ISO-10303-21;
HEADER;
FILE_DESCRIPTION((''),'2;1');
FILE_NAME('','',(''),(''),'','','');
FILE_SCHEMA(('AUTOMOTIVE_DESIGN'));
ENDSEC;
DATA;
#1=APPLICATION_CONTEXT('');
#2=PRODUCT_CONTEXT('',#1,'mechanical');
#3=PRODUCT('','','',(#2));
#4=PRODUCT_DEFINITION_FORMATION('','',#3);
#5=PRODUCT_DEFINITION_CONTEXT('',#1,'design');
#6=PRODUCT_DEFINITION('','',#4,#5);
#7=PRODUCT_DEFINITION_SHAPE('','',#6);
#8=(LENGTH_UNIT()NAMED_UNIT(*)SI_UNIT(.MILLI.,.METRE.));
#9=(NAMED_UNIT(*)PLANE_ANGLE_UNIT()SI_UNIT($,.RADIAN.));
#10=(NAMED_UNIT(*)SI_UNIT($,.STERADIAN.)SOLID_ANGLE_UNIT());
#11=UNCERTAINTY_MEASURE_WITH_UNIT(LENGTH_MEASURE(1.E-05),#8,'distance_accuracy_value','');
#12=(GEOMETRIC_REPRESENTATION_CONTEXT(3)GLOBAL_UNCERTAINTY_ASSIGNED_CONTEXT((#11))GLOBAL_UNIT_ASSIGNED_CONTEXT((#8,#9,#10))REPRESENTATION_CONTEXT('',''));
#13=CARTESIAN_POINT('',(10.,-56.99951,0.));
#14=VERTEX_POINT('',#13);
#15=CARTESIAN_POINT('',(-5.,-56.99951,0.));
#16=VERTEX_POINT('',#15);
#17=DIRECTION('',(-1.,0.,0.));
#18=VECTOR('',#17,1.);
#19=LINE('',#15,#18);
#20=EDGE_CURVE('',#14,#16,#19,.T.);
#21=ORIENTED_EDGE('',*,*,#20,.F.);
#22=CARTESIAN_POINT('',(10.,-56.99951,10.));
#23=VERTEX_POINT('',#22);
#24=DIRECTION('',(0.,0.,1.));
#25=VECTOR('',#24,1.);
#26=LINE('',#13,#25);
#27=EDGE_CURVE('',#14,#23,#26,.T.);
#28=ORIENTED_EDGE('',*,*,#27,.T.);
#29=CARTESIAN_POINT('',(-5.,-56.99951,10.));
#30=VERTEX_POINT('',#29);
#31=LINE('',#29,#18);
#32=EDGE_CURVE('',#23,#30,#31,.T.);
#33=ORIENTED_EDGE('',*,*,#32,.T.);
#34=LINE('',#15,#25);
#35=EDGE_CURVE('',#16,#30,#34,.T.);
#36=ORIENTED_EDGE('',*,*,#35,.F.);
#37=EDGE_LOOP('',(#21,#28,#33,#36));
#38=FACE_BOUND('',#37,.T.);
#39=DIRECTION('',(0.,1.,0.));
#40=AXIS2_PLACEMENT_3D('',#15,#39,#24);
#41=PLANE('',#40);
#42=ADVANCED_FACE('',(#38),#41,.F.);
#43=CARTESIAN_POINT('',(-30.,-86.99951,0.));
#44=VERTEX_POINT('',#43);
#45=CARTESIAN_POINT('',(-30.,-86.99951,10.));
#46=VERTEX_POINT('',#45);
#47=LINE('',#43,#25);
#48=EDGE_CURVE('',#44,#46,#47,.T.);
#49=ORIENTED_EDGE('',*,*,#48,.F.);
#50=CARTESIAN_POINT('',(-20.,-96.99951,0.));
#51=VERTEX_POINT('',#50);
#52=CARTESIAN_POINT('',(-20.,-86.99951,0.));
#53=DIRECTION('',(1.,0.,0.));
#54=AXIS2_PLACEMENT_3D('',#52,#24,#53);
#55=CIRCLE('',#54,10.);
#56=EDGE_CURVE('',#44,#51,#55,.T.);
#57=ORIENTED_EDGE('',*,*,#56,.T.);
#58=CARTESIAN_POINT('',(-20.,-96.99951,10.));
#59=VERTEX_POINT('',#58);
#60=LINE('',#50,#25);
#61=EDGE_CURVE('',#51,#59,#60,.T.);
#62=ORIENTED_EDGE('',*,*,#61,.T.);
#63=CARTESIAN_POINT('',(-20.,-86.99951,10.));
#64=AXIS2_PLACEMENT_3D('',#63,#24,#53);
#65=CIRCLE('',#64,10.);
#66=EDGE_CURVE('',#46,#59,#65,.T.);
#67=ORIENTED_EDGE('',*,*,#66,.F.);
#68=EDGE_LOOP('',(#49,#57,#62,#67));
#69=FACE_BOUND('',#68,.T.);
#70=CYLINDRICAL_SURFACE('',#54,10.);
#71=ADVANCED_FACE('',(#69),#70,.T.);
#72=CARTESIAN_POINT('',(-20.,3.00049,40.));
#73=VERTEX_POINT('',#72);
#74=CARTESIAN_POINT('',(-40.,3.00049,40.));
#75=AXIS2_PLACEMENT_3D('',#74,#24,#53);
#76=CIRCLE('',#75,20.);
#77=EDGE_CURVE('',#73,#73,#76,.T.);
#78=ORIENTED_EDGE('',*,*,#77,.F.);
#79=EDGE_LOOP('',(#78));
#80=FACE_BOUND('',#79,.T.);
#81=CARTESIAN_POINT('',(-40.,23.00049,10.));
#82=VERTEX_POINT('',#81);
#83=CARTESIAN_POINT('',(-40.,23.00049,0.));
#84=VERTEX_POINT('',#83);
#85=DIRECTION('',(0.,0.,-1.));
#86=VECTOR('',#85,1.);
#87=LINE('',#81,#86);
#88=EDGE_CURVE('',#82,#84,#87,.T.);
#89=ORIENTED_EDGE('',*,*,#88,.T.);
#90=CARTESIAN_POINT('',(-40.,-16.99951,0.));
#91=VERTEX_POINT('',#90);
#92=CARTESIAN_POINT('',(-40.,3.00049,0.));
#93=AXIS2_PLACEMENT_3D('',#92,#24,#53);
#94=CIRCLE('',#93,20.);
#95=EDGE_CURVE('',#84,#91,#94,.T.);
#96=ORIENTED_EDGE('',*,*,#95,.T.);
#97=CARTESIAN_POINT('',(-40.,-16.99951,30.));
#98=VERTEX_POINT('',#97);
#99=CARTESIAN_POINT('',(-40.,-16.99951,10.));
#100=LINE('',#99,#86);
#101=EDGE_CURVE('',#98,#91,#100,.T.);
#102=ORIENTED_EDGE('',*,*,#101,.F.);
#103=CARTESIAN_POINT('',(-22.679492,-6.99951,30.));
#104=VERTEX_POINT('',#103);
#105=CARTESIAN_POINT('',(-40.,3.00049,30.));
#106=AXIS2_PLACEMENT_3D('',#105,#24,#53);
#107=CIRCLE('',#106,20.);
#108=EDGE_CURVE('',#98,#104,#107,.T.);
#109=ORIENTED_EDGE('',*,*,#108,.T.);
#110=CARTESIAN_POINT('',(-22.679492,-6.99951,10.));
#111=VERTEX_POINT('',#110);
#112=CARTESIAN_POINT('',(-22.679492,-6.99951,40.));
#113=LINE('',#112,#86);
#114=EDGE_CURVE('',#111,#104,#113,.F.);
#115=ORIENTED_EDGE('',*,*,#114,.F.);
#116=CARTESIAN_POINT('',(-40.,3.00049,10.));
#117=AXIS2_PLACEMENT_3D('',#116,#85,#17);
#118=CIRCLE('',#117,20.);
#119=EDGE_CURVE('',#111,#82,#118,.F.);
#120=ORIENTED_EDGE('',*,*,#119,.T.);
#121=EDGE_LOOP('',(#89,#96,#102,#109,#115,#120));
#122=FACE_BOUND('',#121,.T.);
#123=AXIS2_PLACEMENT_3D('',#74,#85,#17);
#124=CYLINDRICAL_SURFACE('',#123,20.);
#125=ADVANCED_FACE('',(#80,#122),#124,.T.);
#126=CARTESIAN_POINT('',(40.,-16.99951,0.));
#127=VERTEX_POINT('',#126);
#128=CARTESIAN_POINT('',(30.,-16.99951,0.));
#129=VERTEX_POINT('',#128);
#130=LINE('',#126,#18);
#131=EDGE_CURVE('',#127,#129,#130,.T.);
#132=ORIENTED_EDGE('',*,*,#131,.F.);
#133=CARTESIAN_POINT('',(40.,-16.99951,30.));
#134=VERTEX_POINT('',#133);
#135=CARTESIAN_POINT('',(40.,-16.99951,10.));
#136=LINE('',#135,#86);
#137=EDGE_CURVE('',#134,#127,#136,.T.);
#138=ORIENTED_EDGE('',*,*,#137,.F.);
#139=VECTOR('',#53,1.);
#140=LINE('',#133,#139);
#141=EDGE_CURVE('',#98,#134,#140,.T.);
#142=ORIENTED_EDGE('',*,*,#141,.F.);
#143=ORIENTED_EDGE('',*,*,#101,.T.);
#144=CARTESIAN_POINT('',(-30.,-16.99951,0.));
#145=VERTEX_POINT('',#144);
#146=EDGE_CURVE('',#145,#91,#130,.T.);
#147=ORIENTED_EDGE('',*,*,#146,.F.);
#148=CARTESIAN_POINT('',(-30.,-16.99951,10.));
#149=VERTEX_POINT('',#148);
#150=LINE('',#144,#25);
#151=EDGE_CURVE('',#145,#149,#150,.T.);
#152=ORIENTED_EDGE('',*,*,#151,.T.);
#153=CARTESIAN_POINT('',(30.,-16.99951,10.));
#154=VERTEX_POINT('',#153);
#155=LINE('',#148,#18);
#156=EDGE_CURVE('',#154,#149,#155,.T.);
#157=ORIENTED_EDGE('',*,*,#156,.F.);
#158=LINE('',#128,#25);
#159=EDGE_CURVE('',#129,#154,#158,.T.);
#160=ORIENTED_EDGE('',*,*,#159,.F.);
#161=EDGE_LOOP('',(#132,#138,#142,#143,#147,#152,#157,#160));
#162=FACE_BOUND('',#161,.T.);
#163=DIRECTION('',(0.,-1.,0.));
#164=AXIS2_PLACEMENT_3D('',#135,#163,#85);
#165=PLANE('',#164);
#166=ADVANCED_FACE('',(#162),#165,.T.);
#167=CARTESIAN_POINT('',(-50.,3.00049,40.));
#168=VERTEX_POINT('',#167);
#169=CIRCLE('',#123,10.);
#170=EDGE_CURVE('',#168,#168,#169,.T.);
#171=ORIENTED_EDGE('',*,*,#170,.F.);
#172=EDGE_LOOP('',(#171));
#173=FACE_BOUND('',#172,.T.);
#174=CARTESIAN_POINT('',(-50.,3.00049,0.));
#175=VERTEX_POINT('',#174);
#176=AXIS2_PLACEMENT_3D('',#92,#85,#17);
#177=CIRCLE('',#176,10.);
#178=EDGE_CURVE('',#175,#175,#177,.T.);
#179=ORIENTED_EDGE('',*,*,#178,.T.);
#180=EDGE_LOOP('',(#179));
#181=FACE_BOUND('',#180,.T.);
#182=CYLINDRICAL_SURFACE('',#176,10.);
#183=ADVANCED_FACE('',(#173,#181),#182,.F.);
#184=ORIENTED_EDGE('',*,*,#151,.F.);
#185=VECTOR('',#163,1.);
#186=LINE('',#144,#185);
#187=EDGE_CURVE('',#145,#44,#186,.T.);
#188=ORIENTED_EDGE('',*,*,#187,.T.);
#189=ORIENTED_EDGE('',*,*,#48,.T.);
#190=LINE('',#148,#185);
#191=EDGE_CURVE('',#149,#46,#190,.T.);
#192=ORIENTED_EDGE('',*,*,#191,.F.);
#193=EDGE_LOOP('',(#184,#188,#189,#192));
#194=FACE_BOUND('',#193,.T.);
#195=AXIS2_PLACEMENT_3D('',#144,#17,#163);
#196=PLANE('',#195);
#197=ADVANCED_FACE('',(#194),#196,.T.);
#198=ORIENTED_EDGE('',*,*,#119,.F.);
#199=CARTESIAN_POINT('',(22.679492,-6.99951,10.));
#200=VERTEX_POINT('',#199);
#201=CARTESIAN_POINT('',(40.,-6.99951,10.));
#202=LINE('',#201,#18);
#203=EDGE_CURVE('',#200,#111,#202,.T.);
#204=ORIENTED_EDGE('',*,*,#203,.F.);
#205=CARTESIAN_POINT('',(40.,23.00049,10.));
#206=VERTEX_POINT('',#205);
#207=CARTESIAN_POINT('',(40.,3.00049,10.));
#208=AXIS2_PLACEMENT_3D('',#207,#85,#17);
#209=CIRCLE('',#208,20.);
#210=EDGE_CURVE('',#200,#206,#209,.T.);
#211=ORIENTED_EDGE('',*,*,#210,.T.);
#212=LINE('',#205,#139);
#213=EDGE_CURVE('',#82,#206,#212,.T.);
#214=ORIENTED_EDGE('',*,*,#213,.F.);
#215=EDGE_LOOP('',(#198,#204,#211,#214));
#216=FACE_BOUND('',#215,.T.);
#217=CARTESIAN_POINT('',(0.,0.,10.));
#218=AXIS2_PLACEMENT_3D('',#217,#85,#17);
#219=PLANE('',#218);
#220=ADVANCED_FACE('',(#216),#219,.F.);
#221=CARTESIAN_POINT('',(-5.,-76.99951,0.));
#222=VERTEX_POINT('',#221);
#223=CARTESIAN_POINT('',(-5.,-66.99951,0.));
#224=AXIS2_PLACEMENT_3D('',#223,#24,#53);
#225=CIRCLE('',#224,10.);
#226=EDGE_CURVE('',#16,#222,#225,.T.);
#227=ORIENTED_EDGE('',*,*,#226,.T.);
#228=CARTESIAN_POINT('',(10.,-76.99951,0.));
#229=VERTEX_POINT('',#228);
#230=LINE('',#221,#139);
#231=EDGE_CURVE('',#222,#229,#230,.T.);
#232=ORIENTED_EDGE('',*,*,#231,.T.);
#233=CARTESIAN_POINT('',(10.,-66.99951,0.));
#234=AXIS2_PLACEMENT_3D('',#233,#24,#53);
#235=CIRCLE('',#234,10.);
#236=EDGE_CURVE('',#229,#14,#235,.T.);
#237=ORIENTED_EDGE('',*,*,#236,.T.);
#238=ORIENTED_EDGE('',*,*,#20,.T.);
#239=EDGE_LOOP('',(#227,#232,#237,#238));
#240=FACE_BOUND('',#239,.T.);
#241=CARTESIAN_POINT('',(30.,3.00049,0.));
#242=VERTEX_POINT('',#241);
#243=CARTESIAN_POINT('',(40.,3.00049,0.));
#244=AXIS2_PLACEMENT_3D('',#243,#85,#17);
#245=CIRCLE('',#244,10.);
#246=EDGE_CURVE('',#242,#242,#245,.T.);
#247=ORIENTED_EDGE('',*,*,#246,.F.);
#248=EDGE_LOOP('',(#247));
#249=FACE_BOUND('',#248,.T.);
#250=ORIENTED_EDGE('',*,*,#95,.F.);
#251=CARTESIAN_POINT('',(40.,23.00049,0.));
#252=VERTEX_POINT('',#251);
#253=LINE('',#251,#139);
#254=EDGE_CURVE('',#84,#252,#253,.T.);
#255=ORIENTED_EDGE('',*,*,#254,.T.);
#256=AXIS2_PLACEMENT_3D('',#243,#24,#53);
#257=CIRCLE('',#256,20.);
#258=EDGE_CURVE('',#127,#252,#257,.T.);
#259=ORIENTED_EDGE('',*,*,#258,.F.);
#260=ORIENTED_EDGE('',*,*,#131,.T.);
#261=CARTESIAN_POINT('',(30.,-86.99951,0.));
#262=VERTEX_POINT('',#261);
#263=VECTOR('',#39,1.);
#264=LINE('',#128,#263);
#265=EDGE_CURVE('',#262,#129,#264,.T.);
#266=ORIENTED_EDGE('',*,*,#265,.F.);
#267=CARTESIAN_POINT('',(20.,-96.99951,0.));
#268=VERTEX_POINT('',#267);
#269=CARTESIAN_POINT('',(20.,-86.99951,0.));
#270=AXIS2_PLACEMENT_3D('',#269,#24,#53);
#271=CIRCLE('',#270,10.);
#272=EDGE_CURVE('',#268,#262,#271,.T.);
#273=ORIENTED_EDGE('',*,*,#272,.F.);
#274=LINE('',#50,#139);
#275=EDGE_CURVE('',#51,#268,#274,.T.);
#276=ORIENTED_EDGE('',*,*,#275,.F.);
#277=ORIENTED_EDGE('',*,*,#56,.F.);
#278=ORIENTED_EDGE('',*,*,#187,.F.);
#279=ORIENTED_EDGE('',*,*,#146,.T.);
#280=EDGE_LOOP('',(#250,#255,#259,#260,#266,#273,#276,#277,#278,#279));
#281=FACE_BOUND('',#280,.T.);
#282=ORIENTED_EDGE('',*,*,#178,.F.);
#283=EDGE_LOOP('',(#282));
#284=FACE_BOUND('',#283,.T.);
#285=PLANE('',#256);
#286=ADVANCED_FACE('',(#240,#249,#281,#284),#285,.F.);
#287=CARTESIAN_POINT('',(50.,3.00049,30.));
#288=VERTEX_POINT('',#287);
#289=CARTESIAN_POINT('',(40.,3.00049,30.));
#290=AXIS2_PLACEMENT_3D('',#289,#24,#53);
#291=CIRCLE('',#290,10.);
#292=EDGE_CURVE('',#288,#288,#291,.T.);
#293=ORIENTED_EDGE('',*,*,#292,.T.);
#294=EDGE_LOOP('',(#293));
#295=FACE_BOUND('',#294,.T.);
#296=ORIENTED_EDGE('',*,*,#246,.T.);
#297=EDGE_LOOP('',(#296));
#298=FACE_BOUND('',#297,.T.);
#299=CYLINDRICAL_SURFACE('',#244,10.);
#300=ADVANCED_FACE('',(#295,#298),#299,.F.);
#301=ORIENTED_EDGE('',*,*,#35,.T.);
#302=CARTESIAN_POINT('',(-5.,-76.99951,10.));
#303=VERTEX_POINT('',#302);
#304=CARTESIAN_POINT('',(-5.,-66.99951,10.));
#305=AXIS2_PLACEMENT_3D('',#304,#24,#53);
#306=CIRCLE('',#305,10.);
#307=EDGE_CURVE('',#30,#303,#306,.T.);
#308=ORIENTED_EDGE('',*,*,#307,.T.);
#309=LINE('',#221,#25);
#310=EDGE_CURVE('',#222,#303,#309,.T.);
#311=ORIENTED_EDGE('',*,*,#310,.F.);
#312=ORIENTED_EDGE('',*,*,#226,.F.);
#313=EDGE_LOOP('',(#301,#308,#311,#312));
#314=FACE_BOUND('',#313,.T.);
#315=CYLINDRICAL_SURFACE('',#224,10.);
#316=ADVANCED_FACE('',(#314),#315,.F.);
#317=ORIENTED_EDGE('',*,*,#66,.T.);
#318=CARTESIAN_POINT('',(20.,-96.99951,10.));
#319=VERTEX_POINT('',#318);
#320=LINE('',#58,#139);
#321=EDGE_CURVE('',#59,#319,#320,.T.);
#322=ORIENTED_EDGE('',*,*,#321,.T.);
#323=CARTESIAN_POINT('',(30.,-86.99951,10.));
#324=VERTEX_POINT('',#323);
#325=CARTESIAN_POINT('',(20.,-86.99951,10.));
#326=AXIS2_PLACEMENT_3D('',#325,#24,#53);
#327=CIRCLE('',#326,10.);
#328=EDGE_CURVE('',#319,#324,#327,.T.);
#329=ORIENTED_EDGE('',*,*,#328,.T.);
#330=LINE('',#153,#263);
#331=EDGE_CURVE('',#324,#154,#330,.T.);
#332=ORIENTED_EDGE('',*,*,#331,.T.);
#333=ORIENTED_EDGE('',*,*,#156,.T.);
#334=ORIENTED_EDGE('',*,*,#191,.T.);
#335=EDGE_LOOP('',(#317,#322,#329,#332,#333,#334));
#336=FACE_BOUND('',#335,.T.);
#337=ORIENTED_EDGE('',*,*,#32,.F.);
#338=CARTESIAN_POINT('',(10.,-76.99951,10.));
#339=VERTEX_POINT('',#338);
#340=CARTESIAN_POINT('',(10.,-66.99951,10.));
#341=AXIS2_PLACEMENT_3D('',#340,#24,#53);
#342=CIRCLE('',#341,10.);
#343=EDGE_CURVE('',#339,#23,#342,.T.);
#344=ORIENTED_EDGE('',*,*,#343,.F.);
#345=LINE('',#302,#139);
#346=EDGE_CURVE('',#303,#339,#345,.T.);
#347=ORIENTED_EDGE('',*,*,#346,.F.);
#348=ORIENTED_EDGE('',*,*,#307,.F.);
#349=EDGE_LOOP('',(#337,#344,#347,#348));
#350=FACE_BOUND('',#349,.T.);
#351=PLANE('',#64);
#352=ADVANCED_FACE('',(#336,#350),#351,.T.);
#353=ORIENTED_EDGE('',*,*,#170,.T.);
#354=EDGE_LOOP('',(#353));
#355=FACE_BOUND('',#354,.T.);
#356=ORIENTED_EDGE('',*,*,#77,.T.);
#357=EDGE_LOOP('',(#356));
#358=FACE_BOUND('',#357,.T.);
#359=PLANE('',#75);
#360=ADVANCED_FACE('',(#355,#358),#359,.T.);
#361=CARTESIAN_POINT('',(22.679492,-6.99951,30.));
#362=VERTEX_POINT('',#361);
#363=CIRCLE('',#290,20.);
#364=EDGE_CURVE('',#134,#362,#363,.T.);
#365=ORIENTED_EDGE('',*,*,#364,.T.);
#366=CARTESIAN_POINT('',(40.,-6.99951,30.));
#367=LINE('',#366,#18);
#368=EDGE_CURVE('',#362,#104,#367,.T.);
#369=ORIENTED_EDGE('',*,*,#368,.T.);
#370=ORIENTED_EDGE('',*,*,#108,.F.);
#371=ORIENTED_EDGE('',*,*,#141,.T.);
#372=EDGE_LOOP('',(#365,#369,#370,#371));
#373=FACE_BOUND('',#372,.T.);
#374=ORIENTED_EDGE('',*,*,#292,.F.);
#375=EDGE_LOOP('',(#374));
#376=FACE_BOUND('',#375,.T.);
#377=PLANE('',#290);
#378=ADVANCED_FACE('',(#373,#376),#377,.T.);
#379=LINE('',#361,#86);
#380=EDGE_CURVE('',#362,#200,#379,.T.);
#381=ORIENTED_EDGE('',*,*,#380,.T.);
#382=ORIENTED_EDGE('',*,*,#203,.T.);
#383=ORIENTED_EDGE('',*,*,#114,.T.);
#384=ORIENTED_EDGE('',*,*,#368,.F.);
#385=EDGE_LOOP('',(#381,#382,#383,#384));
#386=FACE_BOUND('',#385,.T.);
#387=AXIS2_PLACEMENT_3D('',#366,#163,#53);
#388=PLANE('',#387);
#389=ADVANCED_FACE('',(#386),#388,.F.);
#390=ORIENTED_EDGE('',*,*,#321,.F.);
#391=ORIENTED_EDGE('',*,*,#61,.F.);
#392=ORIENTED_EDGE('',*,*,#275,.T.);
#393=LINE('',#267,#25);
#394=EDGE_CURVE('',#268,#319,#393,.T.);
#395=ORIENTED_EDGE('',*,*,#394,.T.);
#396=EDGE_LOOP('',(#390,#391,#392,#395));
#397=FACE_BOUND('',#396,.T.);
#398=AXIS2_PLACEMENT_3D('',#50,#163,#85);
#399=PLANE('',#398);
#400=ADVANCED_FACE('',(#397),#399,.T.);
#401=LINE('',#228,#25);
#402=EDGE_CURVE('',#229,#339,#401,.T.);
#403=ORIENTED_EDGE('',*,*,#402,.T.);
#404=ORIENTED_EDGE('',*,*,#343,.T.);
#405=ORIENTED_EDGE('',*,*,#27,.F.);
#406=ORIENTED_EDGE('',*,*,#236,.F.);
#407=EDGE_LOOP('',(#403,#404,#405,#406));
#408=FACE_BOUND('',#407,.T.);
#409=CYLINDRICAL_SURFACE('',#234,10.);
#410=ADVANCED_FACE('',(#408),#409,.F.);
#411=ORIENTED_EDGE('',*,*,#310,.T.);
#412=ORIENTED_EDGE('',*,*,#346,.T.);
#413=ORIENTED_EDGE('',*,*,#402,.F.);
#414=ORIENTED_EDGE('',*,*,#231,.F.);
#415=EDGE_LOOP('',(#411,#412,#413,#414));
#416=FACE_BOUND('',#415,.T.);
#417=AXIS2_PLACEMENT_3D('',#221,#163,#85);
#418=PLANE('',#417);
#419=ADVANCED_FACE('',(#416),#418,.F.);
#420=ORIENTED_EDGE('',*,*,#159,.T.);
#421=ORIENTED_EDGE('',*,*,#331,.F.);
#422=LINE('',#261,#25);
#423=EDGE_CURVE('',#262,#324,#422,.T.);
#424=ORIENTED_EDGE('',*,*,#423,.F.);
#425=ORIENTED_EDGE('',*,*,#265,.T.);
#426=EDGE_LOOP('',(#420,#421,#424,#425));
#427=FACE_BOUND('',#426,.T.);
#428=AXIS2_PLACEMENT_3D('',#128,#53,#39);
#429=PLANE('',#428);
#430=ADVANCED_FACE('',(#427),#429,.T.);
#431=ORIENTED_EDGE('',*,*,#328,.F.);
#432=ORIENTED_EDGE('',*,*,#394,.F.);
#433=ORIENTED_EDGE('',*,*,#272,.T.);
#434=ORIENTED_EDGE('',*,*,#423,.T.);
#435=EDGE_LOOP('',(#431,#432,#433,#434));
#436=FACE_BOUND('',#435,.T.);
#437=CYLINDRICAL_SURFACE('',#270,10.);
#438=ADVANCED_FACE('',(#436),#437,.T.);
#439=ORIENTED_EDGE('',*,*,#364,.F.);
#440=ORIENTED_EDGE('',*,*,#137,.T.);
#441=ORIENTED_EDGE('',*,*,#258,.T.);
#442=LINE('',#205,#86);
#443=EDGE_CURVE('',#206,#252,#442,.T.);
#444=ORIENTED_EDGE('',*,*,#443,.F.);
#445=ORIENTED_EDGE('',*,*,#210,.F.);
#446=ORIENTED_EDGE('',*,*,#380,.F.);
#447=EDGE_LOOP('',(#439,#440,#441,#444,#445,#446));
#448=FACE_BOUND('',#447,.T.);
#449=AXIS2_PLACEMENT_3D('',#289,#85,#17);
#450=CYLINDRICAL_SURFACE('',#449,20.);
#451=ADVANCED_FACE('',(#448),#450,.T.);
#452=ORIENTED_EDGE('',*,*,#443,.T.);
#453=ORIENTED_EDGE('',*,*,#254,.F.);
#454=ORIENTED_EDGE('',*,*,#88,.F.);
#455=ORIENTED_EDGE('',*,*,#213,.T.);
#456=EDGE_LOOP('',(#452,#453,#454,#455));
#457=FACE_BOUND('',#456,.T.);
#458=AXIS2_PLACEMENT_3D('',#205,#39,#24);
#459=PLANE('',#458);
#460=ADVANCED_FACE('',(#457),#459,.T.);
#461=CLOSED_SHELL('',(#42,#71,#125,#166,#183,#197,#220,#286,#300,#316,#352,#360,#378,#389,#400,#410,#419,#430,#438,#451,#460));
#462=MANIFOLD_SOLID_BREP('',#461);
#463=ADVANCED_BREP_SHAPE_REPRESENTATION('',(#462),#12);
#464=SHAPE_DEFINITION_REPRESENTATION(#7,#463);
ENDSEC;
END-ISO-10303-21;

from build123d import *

# Parameters (mm, degrees)
SKETCH1_R                        = 20
BOSS_EXTRUDE1_DEPTH              = 30
SKETCH1_4_R                      = 20
BOSS_EXTRUDE2_DEPTH              = 40
SKETCH2_W                        = 80
SKETCH2_H                        = 40
BOSS_EXTRUDE3_DEPTH              = 10
SKETCH3_W                        = 80
SKETCH3_H                        = 10
BOSS_EXTRUDE4_DEPTH              = 20
BOSS_EXTRUDE7_DEPTH              = 10
CUT_EXTRUDE3_DEPTH               = 10
F_97_0_78740157_DIAMETER_HOLE1_D = 19.999999878


with BuildPart() as part:
    # Sketch1 → Boss-Extrude1 (new body)
    with BuildSketch(Plane.XY):
        with Locations((40, 3.000489608)):
            Circle(SKETCH1_R)
    extrude(amount=BOSS_EXTRUDE1_DEPTH)



with BuildPart() as body_2:
    # Sketch1<4> → Boss-Extrude2 (new body)
    with BuildSketch(Plane.XY):
        with Locations((-40, 3.000489608)):
            Circle(SKETCH1_4_R)
    extrude(amount=BOSS_EXTRUDE2_DEPTH)


with BuildPart() as part_1:
    add(part.part)

    add(body_2.part)  # Boss-Extrude3 merges body 2
    # Sketch2 → Boss-Extrude3 (add)
    with BuildSketch(Plane(origin=(0, 0, 0), x_dir=(-1, 0, 0), z_dir=(0, 0, -1))):
        with Locations((0, 3.000489608)):
            Rectangle(SKETCH2_W, SKETCH2_H)
    extrude(amount=-BOSS_EXTRUDE3_DEPTH)

    # Sketch3 → Boss-Extrude4 (add)
    with BuildSketch(Plane.XY.offset(10)):
        with Locations((0, -11.999510392)):
            Rectangle(SKETCH3_W, SKETCH3_H)
    extrude(amount=BOSS_EXTRUDE4_DEPTH)

    # Sketch6 → Boss-Extrude7 (add)
    with BuildSketch(Plane.XY.offset(10)):
        with BuildLine():
            Line((-30, -16.999510392), (30, -16.999510392))
            Line((30, -16.999510392), (30, -86.999510392))
            ThreePointArc((30, -86.999510392), (27.071067812, -94.070578204), (20, -96.999510392))
            Line((20, -96.999510392), (-20, -96.999510392))
            ThreePointArc((-20, -96.999510392), (-27.071067812, -94.070578204), (-30, -86.999510392))
            Line((-30, -86.999510392), (-30, -16.999510392))
        make_face()
    extrude(amount=-BOSS_EXTRUDE7_DEPTH)

    # Sketch7 → Cut-Extrude3 (cut)
    with BuildSketch(Plane.XY.offset(10)):
        with BuildLine():
            Line((-5, -56.999510392), (10, -56.999510392))
            ThreePointArc((10, -56.999510392), (20, -66.999510392), (10, -76.999510392))
            Line((10, -76.999510392), (-5, -76.999510392))
            ThreePointArc((-5, -76.999510392), (-15, -66.999510392), (-5, -56.999510392))
        make_face()
    extrude(amount=-CUT_EXTRUDE3_DEPTH, mode=Mode.SUBTRACT)

    # #97 (0.78740157) Diameter Hole1 (through all)
    with Locations(Plane(origin=(0, 0, 0), x_dir=(-1, 0, 0), z_dir=(0, 0, -1))):
        with Locations((-40, 3.000489608), (40, 3.000489608)):
            Hole(F_97_0_78740157_DIAMETER_HOLE1_D / 2)


solid = part_1.part
